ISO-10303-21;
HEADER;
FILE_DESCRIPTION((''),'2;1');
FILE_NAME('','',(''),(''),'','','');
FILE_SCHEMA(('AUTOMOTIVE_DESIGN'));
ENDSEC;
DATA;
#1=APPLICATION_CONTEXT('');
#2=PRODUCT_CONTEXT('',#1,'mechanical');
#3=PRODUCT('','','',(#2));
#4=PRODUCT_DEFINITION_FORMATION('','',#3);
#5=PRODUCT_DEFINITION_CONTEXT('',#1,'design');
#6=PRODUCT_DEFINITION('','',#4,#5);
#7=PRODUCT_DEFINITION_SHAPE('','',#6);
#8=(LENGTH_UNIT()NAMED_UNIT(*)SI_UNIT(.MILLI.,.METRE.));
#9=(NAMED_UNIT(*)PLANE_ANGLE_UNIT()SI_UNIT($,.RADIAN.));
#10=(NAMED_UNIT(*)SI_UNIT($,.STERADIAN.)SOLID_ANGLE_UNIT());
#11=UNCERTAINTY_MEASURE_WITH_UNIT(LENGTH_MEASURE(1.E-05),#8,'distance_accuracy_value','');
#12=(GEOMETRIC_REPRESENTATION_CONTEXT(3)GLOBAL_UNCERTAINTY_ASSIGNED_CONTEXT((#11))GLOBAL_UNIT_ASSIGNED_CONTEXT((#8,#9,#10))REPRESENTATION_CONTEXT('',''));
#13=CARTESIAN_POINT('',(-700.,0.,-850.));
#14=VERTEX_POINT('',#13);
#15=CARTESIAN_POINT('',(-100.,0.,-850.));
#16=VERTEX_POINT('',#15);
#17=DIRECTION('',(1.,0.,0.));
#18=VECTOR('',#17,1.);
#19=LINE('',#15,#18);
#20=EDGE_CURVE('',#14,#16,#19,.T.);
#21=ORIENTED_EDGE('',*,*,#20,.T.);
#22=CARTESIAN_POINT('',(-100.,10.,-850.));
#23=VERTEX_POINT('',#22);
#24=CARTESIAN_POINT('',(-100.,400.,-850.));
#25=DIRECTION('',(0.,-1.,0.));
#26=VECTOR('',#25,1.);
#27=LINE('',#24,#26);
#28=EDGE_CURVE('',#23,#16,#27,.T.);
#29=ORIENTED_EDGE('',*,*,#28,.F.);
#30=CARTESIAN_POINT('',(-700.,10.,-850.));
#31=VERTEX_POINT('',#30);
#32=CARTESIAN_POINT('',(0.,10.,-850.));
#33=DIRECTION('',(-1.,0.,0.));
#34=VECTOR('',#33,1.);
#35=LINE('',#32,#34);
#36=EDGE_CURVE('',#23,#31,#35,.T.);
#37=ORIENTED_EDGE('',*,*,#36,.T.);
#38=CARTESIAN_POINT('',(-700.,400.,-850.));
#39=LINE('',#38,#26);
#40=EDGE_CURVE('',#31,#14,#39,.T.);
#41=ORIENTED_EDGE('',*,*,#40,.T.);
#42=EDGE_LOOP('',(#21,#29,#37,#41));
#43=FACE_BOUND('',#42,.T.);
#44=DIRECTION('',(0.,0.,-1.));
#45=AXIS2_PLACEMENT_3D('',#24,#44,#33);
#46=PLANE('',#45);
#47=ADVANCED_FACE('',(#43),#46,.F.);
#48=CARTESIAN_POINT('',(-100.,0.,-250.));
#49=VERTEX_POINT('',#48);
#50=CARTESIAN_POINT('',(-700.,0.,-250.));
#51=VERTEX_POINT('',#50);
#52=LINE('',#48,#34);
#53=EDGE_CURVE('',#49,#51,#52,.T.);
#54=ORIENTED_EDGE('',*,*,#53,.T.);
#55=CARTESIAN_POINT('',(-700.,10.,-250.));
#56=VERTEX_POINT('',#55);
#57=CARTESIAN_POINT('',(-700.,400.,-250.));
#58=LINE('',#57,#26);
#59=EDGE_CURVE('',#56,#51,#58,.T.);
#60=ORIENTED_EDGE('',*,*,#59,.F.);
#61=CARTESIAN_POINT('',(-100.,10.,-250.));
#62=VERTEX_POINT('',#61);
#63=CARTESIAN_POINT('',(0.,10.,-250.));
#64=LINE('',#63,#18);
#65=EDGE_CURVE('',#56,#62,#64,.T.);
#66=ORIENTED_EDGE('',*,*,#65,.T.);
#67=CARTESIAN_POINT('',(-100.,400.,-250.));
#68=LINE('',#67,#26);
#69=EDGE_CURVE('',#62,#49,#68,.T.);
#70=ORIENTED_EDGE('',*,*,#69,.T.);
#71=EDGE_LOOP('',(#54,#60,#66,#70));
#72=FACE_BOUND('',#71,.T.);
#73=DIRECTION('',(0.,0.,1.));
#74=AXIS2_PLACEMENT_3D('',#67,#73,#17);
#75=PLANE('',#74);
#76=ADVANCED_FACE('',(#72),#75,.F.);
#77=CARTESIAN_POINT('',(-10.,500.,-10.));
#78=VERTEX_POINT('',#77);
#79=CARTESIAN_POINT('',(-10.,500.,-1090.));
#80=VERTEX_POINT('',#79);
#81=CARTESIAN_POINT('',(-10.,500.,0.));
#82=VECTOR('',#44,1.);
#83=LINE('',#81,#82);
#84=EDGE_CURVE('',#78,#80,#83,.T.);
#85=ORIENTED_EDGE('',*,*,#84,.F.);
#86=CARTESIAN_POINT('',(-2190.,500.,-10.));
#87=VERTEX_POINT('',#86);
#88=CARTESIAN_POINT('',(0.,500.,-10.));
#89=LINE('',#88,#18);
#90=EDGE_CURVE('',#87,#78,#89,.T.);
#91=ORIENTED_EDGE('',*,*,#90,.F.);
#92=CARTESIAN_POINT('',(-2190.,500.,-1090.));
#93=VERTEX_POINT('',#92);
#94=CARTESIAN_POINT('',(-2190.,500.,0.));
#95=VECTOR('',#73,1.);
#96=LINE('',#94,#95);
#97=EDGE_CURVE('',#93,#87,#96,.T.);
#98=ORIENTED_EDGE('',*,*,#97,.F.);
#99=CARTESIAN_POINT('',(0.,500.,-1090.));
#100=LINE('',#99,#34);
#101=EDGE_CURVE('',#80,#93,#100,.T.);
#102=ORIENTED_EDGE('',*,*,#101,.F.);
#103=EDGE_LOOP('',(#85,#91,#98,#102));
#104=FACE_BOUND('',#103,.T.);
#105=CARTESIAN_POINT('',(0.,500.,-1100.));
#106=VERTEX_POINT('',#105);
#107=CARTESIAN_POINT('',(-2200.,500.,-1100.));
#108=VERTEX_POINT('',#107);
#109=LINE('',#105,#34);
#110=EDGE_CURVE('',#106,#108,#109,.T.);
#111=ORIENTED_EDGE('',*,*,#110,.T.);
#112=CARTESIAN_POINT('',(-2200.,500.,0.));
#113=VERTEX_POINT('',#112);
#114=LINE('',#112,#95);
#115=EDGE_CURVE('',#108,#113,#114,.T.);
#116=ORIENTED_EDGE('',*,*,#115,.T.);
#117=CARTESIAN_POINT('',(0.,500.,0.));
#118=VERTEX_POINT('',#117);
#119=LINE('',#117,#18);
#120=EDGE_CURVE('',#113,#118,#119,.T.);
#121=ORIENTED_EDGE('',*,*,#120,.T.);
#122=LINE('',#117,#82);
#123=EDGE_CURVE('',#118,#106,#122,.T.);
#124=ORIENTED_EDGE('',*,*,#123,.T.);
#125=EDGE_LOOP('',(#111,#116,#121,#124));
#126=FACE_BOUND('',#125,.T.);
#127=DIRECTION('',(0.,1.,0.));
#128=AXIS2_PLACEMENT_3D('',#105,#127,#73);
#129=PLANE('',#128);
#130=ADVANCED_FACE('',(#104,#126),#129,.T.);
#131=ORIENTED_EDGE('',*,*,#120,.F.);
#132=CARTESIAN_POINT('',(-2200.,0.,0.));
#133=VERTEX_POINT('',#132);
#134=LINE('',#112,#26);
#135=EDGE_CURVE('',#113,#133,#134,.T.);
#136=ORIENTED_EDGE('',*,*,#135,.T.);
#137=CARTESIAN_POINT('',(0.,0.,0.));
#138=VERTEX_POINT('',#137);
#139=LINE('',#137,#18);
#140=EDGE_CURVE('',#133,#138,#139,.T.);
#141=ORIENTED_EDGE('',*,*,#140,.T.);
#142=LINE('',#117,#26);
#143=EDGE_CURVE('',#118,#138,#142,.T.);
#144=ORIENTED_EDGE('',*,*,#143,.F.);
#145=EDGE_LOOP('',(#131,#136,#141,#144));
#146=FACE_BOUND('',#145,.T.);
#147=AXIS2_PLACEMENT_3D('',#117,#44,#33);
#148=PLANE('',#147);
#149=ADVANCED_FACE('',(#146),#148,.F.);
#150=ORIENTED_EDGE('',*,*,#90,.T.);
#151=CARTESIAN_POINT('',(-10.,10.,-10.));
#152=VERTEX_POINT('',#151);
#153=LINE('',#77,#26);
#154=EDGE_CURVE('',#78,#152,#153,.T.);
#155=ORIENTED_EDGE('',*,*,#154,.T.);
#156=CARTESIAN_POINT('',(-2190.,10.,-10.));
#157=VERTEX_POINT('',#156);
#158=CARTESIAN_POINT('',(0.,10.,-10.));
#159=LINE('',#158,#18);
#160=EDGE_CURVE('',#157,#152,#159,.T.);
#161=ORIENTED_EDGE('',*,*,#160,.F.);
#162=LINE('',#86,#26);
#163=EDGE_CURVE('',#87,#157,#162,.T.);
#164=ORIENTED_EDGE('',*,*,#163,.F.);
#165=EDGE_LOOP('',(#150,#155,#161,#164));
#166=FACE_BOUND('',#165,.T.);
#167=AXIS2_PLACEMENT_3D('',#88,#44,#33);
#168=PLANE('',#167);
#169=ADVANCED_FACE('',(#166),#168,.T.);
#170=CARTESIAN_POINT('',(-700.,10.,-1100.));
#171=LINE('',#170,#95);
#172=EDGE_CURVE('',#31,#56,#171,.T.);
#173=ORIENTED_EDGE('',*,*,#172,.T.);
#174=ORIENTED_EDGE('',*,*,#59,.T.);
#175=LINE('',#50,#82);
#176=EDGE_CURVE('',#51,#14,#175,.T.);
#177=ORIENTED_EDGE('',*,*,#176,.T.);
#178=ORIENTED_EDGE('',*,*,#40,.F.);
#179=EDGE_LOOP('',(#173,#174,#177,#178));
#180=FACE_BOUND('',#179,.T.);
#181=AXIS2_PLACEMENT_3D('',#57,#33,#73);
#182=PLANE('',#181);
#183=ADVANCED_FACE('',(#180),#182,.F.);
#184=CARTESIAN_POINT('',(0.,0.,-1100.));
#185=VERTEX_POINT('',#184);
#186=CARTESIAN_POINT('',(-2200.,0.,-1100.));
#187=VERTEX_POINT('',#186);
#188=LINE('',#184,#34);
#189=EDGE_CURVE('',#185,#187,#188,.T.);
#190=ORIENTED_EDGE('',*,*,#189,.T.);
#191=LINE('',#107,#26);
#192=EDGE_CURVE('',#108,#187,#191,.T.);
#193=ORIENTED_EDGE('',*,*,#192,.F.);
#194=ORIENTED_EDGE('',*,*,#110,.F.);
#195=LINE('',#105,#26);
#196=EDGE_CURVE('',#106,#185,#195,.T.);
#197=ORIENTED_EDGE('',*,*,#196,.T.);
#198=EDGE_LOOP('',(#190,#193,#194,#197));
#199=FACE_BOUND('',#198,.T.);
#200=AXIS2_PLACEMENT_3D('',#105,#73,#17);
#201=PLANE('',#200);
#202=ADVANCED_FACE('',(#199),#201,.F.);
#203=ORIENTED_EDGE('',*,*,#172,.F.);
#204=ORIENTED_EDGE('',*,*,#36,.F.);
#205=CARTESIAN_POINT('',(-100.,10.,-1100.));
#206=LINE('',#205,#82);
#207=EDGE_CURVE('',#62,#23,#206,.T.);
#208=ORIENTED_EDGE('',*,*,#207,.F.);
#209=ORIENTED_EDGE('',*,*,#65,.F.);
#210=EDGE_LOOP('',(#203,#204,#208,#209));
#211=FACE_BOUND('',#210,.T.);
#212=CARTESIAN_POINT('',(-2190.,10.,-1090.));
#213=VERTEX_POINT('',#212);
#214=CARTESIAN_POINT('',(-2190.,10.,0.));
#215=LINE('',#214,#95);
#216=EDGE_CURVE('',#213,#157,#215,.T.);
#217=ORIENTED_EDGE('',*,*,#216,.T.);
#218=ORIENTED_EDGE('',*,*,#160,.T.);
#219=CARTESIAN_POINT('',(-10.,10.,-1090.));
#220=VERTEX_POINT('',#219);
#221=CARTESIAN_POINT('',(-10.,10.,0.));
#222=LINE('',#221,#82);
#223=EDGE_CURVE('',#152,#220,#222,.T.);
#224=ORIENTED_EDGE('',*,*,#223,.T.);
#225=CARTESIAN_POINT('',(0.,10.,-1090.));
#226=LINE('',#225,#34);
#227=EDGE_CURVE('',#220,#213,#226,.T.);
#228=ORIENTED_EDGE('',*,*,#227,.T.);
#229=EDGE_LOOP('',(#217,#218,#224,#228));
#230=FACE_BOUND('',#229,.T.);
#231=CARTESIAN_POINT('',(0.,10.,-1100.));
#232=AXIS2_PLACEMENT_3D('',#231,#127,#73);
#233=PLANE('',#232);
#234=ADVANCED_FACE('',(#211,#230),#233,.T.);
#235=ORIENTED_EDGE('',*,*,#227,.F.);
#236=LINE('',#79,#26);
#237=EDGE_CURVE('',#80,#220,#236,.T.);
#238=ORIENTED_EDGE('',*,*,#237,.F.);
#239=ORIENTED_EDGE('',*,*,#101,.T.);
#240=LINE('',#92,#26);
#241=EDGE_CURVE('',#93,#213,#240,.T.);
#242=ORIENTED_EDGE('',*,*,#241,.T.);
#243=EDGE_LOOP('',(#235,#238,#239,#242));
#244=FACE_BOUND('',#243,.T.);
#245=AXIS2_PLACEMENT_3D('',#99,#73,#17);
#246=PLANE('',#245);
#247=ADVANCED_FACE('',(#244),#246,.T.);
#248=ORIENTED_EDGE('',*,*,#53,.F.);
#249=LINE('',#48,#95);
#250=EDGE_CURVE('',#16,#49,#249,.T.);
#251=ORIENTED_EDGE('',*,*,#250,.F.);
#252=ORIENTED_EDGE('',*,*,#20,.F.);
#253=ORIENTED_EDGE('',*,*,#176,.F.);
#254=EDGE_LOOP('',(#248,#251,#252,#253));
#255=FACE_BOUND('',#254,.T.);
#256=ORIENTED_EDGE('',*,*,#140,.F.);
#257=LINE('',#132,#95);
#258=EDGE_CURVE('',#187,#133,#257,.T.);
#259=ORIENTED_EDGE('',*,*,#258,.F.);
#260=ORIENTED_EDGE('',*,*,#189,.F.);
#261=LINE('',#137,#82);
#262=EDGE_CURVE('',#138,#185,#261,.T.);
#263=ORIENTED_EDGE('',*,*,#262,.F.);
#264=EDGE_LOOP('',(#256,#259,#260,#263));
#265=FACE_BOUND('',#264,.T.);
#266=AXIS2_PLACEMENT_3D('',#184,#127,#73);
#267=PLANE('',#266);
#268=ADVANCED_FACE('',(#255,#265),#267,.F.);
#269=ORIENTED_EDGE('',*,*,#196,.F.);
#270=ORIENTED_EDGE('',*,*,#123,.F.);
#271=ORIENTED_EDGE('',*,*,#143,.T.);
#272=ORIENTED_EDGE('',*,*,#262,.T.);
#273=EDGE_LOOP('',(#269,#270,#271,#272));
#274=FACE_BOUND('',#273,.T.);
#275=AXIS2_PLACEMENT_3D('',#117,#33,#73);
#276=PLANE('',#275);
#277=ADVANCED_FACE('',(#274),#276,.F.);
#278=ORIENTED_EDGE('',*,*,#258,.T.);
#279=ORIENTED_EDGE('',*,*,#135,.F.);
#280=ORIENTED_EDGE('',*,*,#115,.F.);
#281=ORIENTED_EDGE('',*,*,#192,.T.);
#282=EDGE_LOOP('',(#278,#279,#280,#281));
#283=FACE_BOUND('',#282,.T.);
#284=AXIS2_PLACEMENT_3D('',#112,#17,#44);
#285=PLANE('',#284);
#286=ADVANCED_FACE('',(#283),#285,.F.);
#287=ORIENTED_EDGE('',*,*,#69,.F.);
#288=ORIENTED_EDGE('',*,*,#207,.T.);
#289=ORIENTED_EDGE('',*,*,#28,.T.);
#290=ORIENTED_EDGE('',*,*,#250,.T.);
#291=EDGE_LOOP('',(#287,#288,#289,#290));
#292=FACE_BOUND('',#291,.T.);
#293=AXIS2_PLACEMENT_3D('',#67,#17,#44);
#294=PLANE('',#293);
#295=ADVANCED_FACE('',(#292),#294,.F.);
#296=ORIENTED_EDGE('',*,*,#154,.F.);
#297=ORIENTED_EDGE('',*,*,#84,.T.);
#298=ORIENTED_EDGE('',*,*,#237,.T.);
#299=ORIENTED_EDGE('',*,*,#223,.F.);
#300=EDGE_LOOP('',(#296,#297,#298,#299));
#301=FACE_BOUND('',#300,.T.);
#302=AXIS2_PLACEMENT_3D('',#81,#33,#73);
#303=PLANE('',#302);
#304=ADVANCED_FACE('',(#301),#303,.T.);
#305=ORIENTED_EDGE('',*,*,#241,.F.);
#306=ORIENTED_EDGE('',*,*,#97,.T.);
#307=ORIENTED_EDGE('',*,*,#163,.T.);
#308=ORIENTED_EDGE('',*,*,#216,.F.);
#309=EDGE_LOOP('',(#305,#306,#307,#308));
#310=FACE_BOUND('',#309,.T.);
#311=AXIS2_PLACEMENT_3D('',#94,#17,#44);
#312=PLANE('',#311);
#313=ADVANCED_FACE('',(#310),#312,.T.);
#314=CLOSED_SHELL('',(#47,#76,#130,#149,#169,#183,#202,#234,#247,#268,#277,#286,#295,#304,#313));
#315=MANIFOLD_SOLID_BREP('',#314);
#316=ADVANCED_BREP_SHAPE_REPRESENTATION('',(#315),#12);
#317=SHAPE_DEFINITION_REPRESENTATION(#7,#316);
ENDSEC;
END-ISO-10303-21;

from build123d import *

# Parameters (mm, degrees)
SKETCH1_W          = 2200
SKETCH1_H          = 1100
EXTRUDE1_DEPTH     = 500
SHELL1_T           = -10
SKETCH2_W          = 600
SKETCH2_H          = 600
CUT_EXTRUDE1_DEPTH = 400


with BuildPart() as part:
    # Sketch1 → Extrude1 (new body)
    with BuildSketch(Plane(origin=(0, 0, 0), x_dir=(1, 0, 0), z_dir=(0, 1, 0))):
        with Locations((-1100, 550)):
            Rectangle(SKETCH1_W, SKETCH1_H)
    extrude(amount=EXTRUDE1_DEPTH)

    # Shell1
    shell1_openings = [part.faces().sort_by_distance(p)[0] for p in [
        (-1100, 500, -550),
    ]]
    offset(amount=SHELL1_T, openings=shell1_openings, kind=Kind.INTERSECTION)

    # Sketch2 → Cut-Extrude1 (cut)
    with BuildSketch(Plane.XZ):
        with Locations((-400, -550)):
            Rectangle(SKETCH2_W, SKETCH2_H)
    extrude(amount=-CUT_EXTRUDE1_DEPTH, mode=Mode.SUBTRACT)


solid = part.part
